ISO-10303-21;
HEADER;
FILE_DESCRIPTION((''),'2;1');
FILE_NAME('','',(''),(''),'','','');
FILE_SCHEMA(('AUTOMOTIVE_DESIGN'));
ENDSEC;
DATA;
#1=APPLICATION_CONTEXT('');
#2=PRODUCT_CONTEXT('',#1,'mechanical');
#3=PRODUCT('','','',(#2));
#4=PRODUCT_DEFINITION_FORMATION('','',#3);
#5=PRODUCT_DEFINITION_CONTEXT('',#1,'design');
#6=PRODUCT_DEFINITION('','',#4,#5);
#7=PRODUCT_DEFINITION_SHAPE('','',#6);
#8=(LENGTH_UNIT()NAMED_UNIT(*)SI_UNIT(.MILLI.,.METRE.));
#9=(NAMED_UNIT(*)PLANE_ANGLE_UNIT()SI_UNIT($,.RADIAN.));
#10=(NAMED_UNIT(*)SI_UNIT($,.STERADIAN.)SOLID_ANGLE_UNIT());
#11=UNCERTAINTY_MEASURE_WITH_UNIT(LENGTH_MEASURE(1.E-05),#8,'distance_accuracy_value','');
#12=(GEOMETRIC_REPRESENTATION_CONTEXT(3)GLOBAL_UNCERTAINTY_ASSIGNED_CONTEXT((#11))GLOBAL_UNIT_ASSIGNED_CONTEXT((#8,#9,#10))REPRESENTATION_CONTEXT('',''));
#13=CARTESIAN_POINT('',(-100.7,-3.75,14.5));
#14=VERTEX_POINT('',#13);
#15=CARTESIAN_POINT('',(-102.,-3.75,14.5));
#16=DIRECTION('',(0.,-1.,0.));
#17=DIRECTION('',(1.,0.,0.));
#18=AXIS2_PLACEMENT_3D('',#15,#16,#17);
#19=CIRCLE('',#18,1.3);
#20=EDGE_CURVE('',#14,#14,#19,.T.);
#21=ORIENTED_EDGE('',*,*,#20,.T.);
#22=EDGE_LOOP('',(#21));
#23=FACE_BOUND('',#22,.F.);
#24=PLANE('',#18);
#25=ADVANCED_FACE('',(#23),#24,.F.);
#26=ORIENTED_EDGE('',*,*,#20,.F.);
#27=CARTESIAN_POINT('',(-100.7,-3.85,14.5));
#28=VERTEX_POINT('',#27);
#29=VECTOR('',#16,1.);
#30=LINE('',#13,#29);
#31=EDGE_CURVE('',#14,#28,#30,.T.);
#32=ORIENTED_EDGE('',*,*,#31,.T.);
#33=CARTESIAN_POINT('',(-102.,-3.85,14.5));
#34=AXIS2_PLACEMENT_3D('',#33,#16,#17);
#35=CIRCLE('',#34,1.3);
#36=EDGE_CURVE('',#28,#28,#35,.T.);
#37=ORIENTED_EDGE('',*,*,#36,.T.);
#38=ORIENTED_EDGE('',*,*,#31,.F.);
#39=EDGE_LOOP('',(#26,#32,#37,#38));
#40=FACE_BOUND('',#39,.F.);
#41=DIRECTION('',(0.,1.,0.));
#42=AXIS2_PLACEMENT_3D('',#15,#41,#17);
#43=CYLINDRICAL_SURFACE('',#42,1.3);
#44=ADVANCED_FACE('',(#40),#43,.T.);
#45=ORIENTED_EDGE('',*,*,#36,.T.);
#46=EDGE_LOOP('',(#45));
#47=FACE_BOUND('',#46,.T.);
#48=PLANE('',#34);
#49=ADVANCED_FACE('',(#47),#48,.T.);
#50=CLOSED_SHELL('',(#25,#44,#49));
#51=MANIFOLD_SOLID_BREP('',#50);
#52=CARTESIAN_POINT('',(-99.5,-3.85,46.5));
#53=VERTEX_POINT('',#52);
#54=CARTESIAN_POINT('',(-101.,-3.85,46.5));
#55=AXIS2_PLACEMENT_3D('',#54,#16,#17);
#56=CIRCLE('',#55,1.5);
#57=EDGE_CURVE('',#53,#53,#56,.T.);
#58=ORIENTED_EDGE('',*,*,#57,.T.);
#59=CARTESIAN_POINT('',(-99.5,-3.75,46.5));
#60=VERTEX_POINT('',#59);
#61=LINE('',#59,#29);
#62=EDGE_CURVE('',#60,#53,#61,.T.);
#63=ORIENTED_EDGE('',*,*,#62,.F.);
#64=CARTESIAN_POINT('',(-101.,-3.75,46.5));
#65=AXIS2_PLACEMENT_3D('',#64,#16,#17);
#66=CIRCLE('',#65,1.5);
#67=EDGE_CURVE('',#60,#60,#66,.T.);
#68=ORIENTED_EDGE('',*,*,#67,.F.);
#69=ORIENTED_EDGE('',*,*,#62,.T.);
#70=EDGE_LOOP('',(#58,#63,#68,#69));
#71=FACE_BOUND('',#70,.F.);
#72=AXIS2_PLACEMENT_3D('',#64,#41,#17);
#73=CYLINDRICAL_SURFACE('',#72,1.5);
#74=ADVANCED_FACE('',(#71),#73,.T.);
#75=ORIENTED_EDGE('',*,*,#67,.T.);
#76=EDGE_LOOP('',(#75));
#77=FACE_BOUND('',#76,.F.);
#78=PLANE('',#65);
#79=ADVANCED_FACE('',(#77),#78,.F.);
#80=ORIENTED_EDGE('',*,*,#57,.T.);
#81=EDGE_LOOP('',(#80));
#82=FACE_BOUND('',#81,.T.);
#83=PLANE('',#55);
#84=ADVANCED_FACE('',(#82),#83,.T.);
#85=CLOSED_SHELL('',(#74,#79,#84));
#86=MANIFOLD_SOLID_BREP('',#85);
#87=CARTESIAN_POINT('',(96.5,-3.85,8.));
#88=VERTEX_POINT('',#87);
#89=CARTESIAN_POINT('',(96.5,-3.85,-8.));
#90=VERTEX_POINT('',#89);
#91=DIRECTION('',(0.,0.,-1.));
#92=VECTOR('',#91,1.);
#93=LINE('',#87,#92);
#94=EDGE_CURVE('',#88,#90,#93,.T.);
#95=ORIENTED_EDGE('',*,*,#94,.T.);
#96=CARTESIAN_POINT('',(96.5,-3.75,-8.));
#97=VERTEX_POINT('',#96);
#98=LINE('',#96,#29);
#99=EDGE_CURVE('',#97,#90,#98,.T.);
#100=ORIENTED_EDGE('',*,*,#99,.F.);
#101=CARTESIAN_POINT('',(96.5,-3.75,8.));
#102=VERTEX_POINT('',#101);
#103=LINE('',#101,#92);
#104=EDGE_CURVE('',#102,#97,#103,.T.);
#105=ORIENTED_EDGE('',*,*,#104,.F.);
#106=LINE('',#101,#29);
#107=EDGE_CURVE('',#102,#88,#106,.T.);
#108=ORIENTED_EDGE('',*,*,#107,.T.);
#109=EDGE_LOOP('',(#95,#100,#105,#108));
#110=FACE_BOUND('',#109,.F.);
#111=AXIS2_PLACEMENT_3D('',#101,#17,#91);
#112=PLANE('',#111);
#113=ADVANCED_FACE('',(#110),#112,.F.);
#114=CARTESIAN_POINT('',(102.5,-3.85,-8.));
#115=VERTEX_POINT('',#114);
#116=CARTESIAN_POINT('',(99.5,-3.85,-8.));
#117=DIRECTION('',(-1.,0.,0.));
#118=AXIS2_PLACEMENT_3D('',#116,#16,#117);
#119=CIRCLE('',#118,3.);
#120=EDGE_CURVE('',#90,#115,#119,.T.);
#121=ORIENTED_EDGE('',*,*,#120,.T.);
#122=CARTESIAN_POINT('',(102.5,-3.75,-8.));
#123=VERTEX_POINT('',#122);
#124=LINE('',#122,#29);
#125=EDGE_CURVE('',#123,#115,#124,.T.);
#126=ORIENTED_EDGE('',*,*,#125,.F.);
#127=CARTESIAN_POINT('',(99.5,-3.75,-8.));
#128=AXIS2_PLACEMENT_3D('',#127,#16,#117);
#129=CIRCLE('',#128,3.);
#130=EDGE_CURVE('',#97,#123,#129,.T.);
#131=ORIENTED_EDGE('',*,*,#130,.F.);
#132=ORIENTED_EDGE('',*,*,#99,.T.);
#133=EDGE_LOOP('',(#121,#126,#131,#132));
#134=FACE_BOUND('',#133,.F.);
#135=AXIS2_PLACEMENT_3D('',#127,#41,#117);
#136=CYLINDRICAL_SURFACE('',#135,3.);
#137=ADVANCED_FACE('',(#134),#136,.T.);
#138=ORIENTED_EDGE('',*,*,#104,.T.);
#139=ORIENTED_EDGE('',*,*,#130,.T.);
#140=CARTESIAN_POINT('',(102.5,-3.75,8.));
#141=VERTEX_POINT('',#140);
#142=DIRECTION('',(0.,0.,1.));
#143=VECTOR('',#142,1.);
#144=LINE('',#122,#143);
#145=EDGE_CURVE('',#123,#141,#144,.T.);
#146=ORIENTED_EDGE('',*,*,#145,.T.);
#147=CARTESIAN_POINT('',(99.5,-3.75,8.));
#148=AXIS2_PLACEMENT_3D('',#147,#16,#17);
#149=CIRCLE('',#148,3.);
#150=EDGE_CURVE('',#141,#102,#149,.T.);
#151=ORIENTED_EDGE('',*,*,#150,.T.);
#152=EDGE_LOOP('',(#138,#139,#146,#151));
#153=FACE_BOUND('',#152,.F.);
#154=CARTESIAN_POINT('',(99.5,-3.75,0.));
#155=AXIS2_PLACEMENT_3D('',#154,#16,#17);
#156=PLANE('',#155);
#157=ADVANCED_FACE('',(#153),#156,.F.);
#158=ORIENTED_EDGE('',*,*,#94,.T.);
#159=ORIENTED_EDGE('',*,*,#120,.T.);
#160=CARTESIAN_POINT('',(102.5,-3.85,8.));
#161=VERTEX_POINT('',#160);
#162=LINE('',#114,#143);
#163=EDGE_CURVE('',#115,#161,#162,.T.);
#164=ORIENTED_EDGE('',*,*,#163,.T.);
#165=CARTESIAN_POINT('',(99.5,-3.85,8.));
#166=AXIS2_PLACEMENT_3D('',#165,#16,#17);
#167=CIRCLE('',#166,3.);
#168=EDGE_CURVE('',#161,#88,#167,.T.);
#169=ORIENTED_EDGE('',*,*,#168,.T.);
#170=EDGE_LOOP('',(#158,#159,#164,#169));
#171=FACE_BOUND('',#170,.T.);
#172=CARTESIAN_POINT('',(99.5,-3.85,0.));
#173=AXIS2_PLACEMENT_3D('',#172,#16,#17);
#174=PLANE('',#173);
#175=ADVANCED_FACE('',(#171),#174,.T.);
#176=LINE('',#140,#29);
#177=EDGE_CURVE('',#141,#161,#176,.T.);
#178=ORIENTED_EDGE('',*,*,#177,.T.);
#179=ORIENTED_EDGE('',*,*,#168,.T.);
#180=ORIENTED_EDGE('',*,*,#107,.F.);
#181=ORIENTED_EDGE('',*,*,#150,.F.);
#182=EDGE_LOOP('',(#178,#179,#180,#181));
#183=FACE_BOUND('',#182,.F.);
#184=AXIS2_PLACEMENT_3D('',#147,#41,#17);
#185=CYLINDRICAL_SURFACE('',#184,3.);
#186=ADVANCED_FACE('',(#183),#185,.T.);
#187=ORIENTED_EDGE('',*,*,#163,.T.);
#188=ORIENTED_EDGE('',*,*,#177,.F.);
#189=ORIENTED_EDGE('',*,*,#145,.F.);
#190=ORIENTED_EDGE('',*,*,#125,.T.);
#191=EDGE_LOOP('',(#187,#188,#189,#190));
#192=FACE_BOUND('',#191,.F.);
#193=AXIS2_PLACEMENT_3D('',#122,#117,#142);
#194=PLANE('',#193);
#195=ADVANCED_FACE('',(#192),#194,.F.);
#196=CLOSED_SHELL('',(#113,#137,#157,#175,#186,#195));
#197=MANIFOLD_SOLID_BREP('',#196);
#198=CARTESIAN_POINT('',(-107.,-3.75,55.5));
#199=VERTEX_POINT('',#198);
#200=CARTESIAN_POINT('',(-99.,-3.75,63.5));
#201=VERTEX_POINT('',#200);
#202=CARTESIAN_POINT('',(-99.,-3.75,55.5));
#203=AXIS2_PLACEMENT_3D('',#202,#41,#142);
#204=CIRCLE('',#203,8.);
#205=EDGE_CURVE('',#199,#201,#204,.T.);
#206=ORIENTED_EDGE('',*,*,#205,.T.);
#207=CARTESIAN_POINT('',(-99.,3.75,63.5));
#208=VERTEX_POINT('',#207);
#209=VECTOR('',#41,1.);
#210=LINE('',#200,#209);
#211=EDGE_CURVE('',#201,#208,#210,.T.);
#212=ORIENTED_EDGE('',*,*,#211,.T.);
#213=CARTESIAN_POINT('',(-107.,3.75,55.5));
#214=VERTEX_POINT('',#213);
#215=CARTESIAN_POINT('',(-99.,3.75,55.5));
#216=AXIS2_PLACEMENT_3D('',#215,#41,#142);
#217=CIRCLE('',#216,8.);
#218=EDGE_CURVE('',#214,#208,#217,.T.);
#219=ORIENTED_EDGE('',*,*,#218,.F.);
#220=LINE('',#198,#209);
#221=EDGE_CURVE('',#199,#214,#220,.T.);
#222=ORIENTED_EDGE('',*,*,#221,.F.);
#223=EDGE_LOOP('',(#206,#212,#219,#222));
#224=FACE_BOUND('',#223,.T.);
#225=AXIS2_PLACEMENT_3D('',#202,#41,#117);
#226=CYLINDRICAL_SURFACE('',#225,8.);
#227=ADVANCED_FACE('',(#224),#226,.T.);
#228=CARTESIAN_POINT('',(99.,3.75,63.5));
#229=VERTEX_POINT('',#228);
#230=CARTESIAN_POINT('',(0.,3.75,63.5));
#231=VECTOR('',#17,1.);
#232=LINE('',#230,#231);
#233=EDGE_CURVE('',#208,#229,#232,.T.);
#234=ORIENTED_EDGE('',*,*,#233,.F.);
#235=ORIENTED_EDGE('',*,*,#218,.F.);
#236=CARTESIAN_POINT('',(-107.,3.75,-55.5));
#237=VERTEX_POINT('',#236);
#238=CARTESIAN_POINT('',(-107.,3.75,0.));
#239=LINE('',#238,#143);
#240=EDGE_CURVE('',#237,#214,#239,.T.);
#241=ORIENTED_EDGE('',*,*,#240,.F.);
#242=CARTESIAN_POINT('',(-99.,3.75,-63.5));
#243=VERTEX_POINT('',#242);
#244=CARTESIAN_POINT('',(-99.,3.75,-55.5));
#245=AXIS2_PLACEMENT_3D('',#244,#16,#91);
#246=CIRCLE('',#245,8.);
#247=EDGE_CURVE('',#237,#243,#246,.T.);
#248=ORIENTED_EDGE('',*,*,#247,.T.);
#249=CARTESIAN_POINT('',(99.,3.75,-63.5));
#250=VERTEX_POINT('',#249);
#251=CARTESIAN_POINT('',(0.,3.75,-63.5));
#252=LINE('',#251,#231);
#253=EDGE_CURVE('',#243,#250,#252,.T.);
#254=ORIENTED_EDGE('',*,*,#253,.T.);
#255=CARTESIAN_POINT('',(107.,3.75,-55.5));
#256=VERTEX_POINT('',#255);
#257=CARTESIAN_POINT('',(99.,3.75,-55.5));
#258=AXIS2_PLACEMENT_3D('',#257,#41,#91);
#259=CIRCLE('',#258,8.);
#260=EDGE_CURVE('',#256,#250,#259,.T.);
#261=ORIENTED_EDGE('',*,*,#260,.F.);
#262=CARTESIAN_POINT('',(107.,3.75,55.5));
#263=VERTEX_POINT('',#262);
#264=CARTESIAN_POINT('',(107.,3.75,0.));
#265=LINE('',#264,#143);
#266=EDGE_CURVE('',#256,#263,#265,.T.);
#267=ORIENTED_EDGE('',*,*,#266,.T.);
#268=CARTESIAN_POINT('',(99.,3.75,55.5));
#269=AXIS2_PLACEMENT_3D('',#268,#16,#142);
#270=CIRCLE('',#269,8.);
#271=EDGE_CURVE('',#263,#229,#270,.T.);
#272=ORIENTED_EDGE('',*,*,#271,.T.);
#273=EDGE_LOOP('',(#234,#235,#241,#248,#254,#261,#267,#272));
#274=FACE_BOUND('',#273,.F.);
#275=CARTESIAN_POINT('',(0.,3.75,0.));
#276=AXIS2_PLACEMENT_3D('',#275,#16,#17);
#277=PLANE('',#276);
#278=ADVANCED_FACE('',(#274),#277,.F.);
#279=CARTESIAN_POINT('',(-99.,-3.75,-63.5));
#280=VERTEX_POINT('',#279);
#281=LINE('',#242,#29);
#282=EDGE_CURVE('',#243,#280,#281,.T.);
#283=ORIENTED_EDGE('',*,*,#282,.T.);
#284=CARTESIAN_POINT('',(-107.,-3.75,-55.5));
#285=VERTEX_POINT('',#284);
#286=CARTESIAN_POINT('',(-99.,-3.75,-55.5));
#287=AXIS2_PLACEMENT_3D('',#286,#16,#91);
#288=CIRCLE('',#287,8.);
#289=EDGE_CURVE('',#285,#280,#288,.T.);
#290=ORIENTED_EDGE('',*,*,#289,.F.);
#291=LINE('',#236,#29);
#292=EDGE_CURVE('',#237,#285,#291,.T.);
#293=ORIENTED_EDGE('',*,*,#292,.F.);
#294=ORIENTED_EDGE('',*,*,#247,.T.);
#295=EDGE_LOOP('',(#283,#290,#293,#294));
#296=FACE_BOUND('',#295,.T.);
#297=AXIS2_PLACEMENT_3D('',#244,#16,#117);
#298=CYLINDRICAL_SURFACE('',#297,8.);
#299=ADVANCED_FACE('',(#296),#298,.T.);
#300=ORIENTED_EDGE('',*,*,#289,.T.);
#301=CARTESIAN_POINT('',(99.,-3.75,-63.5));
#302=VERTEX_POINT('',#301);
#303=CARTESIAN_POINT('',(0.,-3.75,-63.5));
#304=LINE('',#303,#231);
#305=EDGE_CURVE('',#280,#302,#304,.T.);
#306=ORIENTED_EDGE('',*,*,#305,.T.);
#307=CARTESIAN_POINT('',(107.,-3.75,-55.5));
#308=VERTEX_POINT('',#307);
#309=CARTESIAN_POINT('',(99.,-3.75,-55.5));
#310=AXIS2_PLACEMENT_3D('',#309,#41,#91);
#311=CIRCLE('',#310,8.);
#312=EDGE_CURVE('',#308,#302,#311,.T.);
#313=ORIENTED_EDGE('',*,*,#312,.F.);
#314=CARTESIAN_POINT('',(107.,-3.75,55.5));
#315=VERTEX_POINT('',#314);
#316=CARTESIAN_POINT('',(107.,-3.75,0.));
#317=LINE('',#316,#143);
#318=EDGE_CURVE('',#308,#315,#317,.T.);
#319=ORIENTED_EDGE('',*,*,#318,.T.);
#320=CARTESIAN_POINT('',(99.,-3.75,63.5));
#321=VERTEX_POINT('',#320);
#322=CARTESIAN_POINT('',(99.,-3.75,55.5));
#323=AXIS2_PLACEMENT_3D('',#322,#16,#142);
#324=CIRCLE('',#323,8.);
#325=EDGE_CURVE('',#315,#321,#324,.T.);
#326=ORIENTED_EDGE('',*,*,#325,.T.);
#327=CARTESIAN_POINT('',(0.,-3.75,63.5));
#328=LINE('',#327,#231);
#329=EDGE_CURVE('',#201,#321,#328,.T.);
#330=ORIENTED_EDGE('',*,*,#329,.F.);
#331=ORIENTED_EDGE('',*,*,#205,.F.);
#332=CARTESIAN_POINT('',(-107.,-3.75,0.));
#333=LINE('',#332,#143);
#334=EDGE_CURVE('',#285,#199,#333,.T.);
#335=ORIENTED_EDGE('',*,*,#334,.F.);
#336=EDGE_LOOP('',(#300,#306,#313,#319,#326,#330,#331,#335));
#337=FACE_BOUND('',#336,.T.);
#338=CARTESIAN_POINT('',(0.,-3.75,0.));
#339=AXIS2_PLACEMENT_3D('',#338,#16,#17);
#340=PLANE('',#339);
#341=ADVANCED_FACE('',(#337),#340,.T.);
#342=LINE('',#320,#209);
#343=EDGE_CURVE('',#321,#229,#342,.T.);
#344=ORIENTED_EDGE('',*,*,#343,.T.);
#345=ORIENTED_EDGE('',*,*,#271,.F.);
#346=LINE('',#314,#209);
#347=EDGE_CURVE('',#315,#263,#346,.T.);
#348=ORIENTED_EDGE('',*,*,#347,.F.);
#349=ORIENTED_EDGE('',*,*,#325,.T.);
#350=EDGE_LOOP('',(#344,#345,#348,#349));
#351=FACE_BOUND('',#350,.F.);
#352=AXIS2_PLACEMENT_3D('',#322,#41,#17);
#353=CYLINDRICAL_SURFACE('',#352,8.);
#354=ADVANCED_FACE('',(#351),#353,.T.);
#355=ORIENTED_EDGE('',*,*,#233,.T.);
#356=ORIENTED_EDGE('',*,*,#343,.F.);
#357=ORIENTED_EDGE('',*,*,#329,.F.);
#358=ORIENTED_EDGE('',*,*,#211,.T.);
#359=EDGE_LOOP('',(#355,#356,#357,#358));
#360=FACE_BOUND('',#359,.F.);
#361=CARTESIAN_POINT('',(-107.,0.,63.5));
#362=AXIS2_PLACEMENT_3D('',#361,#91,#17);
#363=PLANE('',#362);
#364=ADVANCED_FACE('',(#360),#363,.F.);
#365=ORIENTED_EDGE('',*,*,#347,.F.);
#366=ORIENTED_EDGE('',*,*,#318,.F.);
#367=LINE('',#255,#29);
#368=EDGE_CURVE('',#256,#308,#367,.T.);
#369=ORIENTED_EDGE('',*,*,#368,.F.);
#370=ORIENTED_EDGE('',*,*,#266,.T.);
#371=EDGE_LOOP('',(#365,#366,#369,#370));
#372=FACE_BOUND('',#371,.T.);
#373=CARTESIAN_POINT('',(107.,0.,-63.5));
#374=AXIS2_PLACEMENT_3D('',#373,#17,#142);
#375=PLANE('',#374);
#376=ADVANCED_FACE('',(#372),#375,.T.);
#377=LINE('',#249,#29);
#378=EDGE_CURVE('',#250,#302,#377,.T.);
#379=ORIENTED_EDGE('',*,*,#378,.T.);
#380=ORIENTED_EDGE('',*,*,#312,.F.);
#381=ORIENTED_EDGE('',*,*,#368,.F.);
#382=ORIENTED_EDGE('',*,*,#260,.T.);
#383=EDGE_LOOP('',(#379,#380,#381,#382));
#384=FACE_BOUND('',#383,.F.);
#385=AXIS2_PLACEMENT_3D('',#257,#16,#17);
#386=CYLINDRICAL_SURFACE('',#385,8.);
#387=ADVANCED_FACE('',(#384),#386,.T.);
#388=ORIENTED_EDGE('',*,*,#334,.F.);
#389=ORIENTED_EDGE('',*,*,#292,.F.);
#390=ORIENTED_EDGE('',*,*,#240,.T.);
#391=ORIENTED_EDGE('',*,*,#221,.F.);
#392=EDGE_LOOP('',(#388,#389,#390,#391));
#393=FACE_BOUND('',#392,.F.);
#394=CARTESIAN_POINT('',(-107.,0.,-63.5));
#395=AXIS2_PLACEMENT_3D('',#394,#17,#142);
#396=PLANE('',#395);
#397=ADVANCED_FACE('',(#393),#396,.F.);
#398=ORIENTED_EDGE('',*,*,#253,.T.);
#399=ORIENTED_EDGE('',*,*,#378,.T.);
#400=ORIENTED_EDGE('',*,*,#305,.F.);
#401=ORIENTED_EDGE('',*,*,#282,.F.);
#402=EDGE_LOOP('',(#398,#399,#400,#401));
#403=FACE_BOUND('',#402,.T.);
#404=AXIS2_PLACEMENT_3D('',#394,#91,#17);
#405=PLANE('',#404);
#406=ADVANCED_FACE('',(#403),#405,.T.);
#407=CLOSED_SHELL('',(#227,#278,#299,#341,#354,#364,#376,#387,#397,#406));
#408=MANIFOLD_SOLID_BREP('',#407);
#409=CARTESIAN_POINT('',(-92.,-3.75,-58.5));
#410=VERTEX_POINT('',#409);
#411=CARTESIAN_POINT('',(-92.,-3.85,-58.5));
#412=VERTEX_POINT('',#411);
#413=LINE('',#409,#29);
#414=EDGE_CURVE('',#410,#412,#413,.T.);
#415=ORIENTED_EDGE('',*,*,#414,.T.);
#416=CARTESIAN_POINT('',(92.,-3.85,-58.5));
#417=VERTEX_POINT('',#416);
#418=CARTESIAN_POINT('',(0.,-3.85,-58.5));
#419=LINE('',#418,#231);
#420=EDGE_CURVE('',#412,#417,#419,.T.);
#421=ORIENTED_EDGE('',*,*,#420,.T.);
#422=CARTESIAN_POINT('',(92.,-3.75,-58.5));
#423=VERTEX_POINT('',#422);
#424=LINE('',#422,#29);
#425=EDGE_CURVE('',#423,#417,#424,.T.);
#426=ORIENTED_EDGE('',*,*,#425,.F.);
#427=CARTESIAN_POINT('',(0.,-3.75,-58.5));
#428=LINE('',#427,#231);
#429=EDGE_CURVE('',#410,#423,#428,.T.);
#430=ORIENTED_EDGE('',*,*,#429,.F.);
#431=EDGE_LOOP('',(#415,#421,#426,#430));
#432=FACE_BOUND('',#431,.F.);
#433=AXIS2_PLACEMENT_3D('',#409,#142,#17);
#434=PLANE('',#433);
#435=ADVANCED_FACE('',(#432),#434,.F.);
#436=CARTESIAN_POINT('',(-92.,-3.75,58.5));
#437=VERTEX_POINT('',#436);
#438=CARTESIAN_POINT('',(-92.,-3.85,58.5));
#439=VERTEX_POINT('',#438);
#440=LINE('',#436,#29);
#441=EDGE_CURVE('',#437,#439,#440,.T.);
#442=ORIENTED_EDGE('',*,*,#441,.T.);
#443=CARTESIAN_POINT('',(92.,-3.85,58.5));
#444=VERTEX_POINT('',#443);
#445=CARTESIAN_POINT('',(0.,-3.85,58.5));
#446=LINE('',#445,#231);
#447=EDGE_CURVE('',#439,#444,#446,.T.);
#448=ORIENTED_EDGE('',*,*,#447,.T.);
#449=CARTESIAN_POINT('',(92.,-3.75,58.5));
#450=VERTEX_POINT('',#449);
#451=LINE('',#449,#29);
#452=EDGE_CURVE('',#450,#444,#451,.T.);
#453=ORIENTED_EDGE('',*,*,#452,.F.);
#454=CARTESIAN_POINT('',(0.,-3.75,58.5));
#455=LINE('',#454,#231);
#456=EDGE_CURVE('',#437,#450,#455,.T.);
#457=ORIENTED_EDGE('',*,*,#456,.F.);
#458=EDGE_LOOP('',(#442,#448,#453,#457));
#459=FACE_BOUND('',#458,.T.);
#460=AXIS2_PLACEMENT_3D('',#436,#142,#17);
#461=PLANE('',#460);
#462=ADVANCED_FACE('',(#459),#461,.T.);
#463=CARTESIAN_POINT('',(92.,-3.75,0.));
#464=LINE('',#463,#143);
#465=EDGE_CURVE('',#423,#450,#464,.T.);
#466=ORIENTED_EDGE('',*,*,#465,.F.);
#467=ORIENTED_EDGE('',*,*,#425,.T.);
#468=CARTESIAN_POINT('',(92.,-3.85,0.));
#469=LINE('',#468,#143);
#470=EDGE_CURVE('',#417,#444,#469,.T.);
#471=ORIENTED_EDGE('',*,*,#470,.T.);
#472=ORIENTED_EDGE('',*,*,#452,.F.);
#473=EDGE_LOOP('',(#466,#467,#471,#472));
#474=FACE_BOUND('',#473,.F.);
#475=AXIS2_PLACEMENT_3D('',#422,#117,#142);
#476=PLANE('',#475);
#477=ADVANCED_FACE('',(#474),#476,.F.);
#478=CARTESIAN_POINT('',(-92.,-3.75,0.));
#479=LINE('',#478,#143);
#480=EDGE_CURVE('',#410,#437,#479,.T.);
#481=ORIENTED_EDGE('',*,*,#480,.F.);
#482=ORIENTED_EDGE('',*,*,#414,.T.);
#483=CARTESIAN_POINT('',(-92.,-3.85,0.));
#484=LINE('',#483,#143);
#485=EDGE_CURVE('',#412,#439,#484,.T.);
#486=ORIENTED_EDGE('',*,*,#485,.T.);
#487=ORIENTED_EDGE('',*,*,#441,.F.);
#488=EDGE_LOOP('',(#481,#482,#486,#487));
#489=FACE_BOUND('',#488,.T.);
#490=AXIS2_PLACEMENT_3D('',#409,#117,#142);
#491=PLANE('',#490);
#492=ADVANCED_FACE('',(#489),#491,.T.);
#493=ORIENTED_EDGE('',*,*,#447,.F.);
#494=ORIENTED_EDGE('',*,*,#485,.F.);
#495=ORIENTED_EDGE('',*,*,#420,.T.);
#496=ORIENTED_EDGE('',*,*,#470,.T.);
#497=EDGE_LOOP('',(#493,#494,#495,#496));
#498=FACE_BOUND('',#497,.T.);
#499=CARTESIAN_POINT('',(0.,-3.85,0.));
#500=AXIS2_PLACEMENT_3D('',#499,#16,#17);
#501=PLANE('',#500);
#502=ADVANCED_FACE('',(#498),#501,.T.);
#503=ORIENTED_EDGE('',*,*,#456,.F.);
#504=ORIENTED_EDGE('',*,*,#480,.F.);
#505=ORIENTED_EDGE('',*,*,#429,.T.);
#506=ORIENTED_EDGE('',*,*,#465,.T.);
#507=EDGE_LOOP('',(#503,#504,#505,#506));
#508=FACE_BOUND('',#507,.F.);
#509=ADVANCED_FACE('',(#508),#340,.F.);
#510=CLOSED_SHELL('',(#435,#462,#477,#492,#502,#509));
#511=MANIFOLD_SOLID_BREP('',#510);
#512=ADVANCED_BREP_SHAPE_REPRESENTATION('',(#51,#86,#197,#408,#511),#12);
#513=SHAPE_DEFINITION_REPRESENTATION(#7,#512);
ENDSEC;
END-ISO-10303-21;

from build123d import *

# Parameters (mm, degrees)
F0_W     = 214
F0_H     = 127
F1_DEPTH = 3.75
F2_R     = 8
F3_W     = 184
F3_H     = 117
F3_R     = 1.3
F3_R_2   = 1.5
F4_DEPTH = 0.1


with BuildPart() as f1:
    # F0 (on Front) → F1 (new body, symmetric)
    with BuildSketch(Plane.XZ):
        Rectangle(F0_W, F0_H)
    extrude(amount=F1_DEPTH, both=True)

    # F2
    f2_edges = [f1.edges().sort_by_distance(p)[0] for p in [
        (107, 0, 63.5),
        (107, 0, -63.5),
        (-107, 0, 63.5),
        (-107, 0, -63.5),
    ]]
    fillet(f2_edges, radius=F2_R)


with BuildPart() as f4:
    # F3 (on face) → F4 (new body)
    with BuildSketch(Plane.XZ.offset(3.75)):
        with BuildLine():
            ThreePointArc((96.5, -8), (99.5, -11), (102.5, -8))
            Line((102.5, -8), (102.5, 8))
            ThreePointArc((102.5, 8), (99.5, 11), (96.5, 8))
            Line((96.5, 8), (96.5, -8))
        make_face()
        Rectangle(F3_W, F3_H)
        with Locations((-102, 14.5)):
            Circle(F3_R)
        with Locations((-101, 46.5)):
            Circle(F3_R_2)
    extrude(amount=F4_DEPTH)


solid = Compound([f1.part, f4.part])
